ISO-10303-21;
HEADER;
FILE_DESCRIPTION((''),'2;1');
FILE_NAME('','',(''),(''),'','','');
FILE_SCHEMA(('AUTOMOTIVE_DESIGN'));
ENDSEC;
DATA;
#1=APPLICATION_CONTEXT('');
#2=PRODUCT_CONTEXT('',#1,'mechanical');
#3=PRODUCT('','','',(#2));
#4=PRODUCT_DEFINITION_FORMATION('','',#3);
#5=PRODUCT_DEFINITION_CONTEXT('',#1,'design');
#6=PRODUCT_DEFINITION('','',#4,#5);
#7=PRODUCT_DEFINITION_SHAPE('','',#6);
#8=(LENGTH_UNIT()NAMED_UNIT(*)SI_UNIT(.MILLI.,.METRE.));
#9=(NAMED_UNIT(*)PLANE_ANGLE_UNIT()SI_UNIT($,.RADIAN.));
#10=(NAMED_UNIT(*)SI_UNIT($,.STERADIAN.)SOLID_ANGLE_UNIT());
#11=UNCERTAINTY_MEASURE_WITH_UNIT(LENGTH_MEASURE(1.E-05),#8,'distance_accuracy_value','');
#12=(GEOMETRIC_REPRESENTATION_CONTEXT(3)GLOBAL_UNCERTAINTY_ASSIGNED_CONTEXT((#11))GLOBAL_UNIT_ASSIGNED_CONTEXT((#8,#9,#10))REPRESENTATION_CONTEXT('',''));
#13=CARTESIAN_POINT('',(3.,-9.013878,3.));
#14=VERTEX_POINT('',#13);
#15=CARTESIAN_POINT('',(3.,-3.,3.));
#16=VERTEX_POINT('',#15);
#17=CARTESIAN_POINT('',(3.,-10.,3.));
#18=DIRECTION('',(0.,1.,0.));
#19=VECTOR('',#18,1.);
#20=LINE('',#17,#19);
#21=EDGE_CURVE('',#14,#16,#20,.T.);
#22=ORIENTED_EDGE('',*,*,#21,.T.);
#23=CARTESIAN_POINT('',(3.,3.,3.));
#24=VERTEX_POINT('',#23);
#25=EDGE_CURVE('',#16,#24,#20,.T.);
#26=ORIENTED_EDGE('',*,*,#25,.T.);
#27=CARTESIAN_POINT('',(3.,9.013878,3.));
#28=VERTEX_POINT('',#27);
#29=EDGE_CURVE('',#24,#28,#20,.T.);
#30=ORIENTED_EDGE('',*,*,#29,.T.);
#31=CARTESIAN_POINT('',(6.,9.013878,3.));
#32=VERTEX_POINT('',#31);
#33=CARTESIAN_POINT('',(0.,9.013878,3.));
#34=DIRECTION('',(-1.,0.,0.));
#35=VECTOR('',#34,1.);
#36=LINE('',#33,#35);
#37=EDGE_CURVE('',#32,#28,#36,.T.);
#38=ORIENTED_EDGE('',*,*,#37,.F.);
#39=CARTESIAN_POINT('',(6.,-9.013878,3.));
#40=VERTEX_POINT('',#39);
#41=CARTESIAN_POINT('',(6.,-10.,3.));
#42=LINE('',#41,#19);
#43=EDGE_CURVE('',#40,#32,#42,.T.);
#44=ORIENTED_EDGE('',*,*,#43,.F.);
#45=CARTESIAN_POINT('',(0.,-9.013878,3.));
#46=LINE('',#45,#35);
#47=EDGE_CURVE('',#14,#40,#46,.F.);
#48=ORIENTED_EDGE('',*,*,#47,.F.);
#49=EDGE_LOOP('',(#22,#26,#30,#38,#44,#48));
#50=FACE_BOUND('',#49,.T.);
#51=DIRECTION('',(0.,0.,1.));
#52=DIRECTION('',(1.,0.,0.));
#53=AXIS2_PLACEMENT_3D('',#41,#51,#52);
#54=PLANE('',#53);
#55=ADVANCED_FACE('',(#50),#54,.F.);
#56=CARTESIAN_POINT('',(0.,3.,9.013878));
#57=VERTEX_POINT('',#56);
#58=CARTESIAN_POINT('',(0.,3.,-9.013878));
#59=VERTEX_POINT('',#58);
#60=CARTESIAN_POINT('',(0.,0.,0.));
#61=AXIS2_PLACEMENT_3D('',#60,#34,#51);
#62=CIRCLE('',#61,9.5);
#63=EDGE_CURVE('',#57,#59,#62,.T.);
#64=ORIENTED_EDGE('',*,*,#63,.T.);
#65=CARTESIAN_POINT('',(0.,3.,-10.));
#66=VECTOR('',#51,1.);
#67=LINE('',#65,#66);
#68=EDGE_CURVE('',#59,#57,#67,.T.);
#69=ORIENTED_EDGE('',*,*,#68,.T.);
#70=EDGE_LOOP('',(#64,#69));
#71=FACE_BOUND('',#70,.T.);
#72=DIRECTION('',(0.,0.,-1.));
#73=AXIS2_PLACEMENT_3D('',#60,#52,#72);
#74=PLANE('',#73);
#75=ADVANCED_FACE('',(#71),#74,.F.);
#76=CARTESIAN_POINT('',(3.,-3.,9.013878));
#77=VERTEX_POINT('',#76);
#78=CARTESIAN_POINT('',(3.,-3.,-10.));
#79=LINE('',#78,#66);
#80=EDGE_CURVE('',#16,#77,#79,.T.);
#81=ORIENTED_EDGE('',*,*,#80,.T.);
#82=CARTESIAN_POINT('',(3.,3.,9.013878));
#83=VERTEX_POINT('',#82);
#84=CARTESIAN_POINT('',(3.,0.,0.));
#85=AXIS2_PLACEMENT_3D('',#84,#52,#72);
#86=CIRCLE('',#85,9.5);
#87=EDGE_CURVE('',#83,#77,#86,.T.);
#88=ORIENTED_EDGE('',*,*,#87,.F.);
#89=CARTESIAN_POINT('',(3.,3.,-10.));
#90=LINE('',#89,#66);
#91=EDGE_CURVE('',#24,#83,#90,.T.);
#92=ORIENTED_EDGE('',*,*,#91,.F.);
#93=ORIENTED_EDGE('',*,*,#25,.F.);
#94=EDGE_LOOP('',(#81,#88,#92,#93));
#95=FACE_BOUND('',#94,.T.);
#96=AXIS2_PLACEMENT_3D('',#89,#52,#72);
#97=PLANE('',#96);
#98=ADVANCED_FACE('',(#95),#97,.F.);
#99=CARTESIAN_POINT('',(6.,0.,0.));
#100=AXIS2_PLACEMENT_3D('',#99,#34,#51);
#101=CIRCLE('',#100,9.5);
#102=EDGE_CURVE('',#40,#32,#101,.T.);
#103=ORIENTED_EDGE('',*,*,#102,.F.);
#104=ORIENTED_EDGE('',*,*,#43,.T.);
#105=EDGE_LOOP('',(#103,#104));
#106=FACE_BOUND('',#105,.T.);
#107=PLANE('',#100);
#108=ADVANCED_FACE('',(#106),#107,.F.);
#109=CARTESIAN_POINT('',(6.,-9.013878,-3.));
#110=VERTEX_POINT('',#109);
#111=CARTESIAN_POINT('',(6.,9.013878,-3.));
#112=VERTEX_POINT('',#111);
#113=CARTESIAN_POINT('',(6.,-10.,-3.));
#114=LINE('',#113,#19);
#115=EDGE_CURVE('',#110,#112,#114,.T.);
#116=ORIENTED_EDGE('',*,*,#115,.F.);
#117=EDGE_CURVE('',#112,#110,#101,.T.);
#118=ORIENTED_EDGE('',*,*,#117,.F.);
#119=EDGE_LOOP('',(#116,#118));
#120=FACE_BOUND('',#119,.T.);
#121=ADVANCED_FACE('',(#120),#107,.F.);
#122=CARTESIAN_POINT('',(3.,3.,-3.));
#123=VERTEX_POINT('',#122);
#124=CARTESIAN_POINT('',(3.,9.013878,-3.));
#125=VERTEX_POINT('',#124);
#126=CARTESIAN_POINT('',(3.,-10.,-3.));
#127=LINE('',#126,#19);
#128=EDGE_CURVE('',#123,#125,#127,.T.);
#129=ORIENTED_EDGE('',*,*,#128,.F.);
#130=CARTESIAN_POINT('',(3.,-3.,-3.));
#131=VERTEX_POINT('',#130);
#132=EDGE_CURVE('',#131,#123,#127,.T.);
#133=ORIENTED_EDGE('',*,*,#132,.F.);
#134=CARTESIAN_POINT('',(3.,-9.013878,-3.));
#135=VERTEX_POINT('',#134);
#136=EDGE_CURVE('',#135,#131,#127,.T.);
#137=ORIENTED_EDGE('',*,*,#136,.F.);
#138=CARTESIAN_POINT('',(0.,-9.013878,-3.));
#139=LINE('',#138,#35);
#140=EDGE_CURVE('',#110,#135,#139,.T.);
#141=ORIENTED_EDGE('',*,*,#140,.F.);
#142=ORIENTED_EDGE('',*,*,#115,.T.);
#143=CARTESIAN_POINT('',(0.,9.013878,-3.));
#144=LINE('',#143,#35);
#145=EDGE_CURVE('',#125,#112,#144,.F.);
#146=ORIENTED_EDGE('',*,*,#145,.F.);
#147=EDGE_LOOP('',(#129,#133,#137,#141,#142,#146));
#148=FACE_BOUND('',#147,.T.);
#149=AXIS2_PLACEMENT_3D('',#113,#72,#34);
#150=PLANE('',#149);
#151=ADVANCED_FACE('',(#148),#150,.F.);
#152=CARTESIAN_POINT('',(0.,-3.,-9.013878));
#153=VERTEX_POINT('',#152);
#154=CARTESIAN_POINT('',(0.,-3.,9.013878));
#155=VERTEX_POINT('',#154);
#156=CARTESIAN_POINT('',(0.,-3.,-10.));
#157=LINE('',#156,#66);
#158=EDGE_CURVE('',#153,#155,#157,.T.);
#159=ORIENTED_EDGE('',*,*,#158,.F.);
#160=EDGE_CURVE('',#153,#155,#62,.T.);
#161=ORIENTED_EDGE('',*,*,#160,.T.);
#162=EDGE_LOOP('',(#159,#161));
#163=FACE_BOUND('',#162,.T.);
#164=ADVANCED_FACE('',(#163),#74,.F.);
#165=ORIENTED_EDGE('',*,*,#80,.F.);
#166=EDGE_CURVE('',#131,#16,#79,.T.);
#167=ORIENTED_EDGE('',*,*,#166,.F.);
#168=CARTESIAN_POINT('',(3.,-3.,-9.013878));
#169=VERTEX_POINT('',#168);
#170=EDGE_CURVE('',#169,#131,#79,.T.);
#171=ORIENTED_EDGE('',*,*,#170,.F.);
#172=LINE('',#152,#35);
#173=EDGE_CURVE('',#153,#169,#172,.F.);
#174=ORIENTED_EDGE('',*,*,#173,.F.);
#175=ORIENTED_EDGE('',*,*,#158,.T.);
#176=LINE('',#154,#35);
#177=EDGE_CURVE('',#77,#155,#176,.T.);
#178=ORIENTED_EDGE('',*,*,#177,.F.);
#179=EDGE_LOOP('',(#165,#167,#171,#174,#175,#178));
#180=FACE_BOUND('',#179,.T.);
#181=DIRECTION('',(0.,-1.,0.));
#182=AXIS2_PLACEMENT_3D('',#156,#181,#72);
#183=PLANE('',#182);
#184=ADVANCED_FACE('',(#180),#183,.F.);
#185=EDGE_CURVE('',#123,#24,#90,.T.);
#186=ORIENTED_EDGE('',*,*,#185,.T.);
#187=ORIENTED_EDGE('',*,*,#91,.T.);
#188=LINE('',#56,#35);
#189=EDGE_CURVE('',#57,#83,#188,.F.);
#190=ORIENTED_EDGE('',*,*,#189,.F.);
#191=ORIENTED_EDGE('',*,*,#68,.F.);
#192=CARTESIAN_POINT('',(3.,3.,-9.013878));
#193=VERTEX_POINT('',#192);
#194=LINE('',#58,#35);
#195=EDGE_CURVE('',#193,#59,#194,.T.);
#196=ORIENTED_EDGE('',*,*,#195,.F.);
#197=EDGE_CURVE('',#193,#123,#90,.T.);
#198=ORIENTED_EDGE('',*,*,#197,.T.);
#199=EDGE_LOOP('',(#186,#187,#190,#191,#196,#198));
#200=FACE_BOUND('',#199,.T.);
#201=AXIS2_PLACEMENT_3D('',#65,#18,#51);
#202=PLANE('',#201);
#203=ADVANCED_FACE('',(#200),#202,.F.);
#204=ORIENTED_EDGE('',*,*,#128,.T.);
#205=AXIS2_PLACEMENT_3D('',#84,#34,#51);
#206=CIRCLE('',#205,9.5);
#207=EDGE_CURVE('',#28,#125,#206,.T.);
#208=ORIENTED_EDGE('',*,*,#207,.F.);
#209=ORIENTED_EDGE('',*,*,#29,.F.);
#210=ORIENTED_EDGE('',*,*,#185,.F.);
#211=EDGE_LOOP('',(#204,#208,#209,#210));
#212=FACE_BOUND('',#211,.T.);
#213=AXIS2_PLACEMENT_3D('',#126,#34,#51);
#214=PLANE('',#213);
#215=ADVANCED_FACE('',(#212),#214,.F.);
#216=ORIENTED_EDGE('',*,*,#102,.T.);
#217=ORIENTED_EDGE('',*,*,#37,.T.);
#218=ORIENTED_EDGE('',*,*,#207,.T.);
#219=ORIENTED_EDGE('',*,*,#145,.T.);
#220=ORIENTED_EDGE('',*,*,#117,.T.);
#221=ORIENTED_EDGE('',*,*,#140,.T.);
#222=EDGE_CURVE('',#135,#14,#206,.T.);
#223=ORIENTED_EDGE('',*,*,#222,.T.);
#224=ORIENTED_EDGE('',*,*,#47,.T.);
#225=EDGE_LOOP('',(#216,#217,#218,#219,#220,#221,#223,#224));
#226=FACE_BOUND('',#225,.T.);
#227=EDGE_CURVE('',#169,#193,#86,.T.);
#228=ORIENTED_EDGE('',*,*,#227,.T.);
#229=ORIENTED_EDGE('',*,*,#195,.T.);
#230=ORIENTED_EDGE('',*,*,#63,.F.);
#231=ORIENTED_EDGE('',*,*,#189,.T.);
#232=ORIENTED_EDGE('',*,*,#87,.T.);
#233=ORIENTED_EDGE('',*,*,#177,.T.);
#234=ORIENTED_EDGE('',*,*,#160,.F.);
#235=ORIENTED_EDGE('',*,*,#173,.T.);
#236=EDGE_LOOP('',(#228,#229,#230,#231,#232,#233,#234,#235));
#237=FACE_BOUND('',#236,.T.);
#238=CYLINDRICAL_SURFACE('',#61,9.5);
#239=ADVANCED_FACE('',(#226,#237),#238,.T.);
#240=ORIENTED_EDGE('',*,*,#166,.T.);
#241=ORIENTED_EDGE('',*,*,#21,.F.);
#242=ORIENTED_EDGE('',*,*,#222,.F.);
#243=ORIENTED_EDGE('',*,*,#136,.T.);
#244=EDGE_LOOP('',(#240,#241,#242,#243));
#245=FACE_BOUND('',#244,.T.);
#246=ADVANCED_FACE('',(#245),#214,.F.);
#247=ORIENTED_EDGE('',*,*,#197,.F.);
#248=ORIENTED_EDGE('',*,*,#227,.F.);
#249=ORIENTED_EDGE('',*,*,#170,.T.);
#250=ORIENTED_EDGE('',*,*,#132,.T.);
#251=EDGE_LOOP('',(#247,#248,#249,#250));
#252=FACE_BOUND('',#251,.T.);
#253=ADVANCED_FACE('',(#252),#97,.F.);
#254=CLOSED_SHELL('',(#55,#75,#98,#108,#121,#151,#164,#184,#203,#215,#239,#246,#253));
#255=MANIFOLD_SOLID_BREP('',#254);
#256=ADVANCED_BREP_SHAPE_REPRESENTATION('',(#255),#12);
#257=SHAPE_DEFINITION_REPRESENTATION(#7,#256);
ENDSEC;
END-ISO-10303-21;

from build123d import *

# Parameters (mm, degrees)
ESQUISSE1_W             = 6
ESQUISSE1_H             = 9.5
ESQUISSE2_W             = 3
ESQUISSE2_H             = 6
ENL_V_MAT_EXTRU_1_DEPTH = 10
ESQUISSE3_W             = 3
ESQUISSE3_H             = 6
ENL_V_MAT_EXTRU_2_DEPTH = 10


with BuildPart() as part:
    # Esquisse1 → Base-Révolution (revolve)
    with BuildSketch(Plane.XY, mode=Mode.PRIVATE) as base_r_volution_sk:
        with Locations((3, 4.75)):
            Rectangle(ESQUISSE1_W, ESQUISSE1_H)
    revolve(base_r_volution_sk.sketch.rotate(Axis((0, 0, 0), (1, 0, 0)), 90), axis=Axis((0, 0, 0), (1, 0, 0)))

    # Esquisse2 → Enlèv. mat.-Extru.1 (cut, symmetric)
    with BuildSketch(Plane.XY):
        with Locations((1.5, 0)):
            Rectangle(ESQUISSE2_W, ESQUISSE2_H)
    extrude(amount=ENL_V_MAT_EXTRU_1_DEPTH, both=True, mode=Mode.SUBTRACT)

    # Esquisse3 → Enlèv. mat.-Extru.2 (cut, symmetric)
    with BuildSketch(Plane(origin=(0, 0, 0), x_dir=(1, 0, 0), z_dir=(0, 1, 0))):
        with Locations((4.5, 0)):
            Rectangle(ESQUISSE3_W, ESQUISSE3_H)
    extrude(amount=ENL_V_MAT_EXTRU_2_DEPTH, both=True, mode=Mode.SUBTRACT)


solid = part.part
